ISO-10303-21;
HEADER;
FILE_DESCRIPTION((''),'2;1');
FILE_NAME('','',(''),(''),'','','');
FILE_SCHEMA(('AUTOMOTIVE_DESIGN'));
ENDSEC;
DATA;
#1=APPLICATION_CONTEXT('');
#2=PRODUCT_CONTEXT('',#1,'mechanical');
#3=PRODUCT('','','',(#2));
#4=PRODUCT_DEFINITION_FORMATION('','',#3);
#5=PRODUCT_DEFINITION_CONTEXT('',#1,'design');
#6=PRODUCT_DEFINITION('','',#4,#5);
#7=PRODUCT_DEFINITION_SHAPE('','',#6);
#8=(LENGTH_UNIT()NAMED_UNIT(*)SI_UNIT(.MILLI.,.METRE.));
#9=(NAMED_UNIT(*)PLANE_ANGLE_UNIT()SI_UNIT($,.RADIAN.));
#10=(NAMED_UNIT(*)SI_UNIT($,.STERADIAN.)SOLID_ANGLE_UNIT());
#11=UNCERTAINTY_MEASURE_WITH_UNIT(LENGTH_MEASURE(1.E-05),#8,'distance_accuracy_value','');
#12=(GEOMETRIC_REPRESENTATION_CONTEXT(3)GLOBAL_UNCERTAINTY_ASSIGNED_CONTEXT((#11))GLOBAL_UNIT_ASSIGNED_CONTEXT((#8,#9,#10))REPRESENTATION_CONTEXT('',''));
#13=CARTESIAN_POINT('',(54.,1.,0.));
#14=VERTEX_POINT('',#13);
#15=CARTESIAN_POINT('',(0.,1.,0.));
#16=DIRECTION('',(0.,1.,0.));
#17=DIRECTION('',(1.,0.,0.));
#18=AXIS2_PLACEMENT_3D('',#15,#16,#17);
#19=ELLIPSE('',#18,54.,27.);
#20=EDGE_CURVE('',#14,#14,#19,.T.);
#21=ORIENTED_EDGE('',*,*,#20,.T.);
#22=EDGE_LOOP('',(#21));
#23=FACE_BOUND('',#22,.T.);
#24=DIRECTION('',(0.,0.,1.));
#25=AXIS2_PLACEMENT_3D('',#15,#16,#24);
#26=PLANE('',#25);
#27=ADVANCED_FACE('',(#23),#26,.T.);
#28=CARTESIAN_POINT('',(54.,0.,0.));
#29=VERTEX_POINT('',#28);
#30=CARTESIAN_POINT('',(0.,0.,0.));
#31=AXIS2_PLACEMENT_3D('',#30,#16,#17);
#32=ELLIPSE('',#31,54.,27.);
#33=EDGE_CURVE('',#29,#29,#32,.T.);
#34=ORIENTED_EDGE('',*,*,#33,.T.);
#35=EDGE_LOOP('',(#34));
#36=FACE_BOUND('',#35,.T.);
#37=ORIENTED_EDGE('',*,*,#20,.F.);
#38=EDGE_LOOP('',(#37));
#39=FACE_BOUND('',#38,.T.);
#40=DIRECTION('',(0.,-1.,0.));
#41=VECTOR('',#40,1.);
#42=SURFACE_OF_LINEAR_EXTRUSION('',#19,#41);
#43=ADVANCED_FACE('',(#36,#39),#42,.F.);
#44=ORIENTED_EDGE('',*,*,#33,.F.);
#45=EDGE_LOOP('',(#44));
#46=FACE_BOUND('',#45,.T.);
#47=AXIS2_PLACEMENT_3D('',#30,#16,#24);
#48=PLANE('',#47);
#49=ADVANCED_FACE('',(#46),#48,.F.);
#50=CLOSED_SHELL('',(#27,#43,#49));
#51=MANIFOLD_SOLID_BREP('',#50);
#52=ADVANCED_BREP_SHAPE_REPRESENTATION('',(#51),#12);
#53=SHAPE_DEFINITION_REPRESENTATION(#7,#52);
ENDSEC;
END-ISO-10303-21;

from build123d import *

# Parameters (mm, degrees)
SKETCH_1_RX     = 54
SKETCH_1_RY     = 27
EXTRUDE_1_DEPTH = 1


with BuildPart() as part:
    # 草图1 → 凸台-拉伸1 (new body)
    with BuildSketch(Plane(origin=(0, 0, 0), x_dir=(1, 0, 0), z_dir=(0, 1, 0))):
        with Locations((0, 0)):
            Ellipse(SKETCH_1_RX, SKETCH_1_RY)
    extrude(amount=EXTRUDE_1_DEPTH)


solid = part.part
